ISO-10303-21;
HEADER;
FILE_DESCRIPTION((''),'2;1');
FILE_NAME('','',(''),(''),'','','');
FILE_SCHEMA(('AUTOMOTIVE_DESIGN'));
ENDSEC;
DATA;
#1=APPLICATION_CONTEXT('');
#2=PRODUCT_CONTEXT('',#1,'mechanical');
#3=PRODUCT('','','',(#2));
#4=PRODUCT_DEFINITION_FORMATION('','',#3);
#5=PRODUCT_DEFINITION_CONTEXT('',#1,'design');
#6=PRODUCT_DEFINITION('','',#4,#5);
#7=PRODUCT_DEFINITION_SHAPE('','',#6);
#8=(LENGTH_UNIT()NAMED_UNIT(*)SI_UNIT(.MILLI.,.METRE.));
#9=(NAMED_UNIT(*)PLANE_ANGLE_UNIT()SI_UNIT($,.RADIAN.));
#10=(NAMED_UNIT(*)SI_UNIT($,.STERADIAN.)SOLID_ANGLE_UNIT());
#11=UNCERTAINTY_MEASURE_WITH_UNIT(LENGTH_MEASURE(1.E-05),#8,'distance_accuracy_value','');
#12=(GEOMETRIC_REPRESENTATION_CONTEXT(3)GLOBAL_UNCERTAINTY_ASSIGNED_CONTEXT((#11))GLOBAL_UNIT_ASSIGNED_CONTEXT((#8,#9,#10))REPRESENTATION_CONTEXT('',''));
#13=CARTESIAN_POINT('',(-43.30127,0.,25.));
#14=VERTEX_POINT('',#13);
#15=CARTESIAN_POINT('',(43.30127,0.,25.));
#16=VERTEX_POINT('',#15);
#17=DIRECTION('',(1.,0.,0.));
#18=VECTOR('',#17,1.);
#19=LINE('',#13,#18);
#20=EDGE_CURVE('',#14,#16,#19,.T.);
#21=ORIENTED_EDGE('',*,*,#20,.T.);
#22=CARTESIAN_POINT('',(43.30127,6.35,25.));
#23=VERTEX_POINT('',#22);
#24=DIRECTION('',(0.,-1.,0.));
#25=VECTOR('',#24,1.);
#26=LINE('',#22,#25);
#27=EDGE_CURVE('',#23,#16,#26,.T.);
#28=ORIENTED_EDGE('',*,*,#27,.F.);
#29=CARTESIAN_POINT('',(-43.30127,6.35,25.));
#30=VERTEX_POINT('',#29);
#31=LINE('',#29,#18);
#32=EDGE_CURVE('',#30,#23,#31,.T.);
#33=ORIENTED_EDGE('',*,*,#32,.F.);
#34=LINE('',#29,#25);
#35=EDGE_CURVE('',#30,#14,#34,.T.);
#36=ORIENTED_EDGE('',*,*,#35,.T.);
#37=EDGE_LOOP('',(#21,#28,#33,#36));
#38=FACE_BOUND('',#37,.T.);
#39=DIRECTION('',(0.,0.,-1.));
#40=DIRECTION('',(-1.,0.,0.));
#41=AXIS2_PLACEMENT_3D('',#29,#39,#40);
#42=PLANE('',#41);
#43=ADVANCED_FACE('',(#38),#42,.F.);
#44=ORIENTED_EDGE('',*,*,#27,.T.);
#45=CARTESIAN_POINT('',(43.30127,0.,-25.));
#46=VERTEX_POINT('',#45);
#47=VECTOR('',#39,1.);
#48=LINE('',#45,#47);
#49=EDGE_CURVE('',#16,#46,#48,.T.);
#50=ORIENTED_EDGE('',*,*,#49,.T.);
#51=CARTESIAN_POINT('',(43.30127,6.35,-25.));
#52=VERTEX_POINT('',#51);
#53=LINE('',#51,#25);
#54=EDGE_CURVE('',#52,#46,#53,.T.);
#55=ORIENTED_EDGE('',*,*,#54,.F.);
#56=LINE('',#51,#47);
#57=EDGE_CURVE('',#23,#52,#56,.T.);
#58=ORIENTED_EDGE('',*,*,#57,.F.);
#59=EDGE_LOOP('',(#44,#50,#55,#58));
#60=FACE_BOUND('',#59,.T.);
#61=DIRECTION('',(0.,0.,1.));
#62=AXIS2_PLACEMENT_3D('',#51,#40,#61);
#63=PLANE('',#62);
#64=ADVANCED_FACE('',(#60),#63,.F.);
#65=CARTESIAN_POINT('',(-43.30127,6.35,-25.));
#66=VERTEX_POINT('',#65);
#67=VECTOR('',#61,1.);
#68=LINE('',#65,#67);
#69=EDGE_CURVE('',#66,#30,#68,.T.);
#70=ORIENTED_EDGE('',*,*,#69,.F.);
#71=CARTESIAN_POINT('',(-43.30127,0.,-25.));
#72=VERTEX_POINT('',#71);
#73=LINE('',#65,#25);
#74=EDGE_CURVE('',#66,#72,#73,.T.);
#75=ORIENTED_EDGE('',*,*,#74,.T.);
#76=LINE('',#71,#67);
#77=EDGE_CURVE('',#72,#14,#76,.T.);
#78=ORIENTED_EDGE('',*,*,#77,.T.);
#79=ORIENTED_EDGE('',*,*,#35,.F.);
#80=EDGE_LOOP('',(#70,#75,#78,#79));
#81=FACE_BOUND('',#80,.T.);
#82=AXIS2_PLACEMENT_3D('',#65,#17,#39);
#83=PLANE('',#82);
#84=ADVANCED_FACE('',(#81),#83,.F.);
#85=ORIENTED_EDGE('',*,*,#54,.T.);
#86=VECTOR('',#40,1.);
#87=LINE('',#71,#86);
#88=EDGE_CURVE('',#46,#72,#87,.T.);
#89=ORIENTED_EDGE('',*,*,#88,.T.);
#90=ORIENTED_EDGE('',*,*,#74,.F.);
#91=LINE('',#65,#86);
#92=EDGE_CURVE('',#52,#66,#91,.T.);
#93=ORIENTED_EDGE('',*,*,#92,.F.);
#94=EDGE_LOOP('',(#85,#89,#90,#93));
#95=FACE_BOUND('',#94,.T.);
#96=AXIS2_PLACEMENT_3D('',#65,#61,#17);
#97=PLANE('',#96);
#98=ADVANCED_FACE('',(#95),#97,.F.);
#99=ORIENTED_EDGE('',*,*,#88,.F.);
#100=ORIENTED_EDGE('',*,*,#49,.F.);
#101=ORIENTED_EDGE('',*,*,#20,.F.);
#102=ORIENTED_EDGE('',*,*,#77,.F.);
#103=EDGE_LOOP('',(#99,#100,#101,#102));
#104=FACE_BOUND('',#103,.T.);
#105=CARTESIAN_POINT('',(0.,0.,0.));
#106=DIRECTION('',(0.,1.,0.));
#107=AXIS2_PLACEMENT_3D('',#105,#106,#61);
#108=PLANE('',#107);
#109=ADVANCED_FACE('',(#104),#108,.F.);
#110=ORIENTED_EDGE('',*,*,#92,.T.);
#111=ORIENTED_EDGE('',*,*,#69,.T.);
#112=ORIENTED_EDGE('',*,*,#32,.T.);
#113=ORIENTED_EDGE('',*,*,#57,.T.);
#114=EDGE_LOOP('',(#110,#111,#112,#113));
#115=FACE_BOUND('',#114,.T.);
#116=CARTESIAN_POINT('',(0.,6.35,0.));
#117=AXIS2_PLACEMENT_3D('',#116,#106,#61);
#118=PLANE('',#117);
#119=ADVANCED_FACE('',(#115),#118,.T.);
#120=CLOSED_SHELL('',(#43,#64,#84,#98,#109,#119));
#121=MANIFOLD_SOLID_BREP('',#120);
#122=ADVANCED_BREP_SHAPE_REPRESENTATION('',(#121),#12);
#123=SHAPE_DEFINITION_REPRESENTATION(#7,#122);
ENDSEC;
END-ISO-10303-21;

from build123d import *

# Parameters (mm, degrees)
ESQUISSE2_W        = 86.602540378
ESQUISSE2_H        = 50
BOSS_EXTRU_1_DEPTH = 6.35


with BuildPart() as part:
    # Esquisse2 → Boss.-Extru.1 (new body)
    with BuildSketch(Plane(origin=(0, 0, 0), x_dir=(1, 0, 0), z_dir=(0, 1, 0))):
        Rectangle(ESQUISSE2_W, ESQUISSE2_H)
    extrude(amount=BOSS_EXTRU_1_DEPTH)


solid = part.part
